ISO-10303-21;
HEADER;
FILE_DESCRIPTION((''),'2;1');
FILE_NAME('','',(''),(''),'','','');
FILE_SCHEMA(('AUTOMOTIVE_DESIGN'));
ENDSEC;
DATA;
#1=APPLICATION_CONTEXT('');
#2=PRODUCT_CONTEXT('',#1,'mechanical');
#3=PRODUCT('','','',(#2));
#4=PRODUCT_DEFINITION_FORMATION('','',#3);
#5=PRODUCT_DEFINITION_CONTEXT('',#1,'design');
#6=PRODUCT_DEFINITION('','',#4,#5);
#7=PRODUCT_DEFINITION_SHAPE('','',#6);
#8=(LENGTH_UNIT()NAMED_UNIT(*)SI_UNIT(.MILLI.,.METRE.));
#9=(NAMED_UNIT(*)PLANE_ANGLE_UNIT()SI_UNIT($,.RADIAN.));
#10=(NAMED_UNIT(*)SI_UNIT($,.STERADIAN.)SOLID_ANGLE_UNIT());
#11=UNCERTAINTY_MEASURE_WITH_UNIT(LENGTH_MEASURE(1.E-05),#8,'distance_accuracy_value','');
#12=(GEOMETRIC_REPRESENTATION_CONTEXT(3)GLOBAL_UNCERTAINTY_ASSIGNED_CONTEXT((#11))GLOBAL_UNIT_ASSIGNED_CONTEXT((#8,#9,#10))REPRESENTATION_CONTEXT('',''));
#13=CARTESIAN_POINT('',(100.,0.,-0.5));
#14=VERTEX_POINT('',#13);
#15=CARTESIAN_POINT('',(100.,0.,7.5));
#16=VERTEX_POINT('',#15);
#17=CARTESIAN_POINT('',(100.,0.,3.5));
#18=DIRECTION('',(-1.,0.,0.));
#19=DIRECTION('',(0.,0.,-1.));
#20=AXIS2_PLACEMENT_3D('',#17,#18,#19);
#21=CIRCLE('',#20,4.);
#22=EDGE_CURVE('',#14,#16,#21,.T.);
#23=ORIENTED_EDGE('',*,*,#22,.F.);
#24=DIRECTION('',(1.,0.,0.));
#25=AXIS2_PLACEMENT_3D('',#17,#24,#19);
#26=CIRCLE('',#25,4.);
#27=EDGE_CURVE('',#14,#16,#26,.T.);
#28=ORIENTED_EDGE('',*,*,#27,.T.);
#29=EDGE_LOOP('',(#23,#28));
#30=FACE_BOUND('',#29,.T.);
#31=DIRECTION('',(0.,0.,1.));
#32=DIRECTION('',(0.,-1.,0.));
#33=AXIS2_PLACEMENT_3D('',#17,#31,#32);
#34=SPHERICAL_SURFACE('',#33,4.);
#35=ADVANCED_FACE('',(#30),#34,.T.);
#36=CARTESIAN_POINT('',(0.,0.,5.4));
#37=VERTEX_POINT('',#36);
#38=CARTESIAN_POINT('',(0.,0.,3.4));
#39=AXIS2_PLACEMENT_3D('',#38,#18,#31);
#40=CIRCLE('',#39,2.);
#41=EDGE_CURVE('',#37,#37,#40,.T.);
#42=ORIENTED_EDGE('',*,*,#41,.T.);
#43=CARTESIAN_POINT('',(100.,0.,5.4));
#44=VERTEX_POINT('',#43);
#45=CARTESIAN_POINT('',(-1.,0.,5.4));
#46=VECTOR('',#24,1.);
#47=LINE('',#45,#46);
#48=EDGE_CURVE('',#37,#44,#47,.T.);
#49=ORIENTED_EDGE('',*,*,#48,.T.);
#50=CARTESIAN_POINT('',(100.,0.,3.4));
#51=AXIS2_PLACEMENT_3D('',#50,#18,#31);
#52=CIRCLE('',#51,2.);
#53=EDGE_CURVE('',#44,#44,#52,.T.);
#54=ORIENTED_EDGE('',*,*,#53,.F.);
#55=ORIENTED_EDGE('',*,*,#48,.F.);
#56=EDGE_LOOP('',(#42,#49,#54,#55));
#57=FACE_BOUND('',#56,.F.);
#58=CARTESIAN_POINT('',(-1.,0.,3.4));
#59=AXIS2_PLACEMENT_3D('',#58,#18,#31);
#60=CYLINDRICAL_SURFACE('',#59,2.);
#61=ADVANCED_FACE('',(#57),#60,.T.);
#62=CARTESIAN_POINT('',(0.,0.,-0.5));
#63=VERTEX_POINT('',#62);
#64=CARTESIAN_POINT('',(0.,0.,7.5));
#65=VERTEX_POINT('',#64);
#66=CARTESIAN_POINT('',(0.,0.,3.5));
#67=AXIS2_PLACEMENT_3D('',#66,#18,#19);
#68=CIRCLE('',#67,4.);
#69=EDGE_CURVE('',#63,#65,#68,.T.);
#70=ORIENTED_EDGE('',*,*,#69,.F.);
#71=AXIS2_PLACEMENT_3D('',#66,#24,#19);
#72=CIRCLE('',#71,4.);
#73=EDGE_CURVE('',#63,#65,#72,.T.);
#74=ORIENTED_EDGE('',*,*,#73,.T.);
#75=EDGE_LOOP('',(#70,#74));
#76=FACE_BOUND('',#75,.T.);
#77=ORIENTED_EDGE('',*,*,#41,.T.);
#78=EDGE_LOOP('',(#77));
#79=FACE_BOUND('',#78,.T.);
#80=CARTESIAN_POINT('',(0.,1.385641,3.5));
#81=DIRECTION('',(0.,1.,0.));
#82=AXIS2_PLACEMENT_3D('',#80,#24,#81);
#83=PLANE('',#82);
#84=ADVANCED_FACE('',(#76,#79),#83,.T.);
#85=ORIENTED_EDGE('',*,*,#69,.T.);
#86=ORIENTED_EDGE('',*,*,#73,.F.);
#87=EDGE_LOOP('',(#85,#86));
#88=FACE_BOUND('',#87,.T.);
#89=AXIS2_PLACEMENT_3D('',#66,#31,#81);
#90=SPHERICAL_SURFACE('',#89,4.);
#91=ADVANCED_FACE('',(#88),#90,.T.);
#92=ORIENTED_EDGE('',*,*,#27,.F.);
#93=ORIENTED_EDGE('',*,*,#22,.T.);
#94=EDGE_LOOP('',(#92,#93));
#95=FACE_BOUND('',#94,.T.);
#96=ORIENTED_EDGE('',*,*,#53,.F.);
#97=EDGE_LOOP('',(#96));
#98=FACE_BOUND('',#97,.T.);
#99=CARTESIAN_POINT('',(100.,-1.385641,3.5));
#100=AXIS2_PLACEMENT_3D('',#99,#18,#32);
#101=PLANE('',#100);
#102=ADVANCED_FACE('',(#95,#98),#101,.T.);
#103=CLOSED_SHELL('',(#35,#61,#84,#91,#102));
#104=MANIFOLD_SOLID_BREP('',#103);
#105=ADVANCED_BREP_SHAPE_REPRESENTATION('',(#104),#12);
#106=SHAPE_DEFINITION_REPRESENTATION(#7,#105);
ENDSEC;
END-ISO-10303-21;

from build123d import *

# Parameters (mm, degrees)
CYLINDER_R      = 2
CYLINDER_DEPTH  = 102
SPHERE_ANGLE    = 180
SPHERE001_ANGLE = 180


with BuildPart() as cylinder:
    # Cylinder → Cylinder (new body)
    with BuildSketch(Plane(origin=(-1, 50, 3.4), x_dir=(0, 0, 1), z_dir=(1, 0, 0))):
        Circle(CYLINDER_R)
    extrude(amount=CYLINDER_DEPTH)


with BuildPart() as sphere:
    # Sphere → Sphere (revolve)
    with BuildSketch(Plane(origin=(0, 50, 3.5), x_dir=(0, 1, 0), z_dir=(1, 0, 0))):
        with BuildLine():
            ThreePointArc((0, -4), (4, 0), (0, 4))
            Line((0, 4), (0, -4))
        make_face()
    revolve(axis=Axis((0, 50, 3.5), (0, 0, 1)), revolution_arc=SPHERE_ANGLE)


with BuildPart() as fusion:
    # Sphere001 → Sphere001 (revolve)
    with BuildSketch(Plane(origin=(100, 50, 3.5), x_dir=(0, -1, 0), z_dir=(-1, 0, 0))):
        with BuildLine():
            ThreePointArc((0, -4), (4, 0), (0, 4))
            Line((0, 4), (0, -4))
        make_face()
    revolve(axis=Axis((100, 50, 3.5), (0, 0, 1)), revolution_arc=SPHERE001_ANGLE)

    # Fusion: union Cylinder, Sphere
    add(cylinder.part)
    add(sphere.part)


with BuildPart() as fusion_1:
    # Fusion placement: moved
    add(fusion.part.moved(Location((0, -50, 0))))


solid = fusion_1.part
